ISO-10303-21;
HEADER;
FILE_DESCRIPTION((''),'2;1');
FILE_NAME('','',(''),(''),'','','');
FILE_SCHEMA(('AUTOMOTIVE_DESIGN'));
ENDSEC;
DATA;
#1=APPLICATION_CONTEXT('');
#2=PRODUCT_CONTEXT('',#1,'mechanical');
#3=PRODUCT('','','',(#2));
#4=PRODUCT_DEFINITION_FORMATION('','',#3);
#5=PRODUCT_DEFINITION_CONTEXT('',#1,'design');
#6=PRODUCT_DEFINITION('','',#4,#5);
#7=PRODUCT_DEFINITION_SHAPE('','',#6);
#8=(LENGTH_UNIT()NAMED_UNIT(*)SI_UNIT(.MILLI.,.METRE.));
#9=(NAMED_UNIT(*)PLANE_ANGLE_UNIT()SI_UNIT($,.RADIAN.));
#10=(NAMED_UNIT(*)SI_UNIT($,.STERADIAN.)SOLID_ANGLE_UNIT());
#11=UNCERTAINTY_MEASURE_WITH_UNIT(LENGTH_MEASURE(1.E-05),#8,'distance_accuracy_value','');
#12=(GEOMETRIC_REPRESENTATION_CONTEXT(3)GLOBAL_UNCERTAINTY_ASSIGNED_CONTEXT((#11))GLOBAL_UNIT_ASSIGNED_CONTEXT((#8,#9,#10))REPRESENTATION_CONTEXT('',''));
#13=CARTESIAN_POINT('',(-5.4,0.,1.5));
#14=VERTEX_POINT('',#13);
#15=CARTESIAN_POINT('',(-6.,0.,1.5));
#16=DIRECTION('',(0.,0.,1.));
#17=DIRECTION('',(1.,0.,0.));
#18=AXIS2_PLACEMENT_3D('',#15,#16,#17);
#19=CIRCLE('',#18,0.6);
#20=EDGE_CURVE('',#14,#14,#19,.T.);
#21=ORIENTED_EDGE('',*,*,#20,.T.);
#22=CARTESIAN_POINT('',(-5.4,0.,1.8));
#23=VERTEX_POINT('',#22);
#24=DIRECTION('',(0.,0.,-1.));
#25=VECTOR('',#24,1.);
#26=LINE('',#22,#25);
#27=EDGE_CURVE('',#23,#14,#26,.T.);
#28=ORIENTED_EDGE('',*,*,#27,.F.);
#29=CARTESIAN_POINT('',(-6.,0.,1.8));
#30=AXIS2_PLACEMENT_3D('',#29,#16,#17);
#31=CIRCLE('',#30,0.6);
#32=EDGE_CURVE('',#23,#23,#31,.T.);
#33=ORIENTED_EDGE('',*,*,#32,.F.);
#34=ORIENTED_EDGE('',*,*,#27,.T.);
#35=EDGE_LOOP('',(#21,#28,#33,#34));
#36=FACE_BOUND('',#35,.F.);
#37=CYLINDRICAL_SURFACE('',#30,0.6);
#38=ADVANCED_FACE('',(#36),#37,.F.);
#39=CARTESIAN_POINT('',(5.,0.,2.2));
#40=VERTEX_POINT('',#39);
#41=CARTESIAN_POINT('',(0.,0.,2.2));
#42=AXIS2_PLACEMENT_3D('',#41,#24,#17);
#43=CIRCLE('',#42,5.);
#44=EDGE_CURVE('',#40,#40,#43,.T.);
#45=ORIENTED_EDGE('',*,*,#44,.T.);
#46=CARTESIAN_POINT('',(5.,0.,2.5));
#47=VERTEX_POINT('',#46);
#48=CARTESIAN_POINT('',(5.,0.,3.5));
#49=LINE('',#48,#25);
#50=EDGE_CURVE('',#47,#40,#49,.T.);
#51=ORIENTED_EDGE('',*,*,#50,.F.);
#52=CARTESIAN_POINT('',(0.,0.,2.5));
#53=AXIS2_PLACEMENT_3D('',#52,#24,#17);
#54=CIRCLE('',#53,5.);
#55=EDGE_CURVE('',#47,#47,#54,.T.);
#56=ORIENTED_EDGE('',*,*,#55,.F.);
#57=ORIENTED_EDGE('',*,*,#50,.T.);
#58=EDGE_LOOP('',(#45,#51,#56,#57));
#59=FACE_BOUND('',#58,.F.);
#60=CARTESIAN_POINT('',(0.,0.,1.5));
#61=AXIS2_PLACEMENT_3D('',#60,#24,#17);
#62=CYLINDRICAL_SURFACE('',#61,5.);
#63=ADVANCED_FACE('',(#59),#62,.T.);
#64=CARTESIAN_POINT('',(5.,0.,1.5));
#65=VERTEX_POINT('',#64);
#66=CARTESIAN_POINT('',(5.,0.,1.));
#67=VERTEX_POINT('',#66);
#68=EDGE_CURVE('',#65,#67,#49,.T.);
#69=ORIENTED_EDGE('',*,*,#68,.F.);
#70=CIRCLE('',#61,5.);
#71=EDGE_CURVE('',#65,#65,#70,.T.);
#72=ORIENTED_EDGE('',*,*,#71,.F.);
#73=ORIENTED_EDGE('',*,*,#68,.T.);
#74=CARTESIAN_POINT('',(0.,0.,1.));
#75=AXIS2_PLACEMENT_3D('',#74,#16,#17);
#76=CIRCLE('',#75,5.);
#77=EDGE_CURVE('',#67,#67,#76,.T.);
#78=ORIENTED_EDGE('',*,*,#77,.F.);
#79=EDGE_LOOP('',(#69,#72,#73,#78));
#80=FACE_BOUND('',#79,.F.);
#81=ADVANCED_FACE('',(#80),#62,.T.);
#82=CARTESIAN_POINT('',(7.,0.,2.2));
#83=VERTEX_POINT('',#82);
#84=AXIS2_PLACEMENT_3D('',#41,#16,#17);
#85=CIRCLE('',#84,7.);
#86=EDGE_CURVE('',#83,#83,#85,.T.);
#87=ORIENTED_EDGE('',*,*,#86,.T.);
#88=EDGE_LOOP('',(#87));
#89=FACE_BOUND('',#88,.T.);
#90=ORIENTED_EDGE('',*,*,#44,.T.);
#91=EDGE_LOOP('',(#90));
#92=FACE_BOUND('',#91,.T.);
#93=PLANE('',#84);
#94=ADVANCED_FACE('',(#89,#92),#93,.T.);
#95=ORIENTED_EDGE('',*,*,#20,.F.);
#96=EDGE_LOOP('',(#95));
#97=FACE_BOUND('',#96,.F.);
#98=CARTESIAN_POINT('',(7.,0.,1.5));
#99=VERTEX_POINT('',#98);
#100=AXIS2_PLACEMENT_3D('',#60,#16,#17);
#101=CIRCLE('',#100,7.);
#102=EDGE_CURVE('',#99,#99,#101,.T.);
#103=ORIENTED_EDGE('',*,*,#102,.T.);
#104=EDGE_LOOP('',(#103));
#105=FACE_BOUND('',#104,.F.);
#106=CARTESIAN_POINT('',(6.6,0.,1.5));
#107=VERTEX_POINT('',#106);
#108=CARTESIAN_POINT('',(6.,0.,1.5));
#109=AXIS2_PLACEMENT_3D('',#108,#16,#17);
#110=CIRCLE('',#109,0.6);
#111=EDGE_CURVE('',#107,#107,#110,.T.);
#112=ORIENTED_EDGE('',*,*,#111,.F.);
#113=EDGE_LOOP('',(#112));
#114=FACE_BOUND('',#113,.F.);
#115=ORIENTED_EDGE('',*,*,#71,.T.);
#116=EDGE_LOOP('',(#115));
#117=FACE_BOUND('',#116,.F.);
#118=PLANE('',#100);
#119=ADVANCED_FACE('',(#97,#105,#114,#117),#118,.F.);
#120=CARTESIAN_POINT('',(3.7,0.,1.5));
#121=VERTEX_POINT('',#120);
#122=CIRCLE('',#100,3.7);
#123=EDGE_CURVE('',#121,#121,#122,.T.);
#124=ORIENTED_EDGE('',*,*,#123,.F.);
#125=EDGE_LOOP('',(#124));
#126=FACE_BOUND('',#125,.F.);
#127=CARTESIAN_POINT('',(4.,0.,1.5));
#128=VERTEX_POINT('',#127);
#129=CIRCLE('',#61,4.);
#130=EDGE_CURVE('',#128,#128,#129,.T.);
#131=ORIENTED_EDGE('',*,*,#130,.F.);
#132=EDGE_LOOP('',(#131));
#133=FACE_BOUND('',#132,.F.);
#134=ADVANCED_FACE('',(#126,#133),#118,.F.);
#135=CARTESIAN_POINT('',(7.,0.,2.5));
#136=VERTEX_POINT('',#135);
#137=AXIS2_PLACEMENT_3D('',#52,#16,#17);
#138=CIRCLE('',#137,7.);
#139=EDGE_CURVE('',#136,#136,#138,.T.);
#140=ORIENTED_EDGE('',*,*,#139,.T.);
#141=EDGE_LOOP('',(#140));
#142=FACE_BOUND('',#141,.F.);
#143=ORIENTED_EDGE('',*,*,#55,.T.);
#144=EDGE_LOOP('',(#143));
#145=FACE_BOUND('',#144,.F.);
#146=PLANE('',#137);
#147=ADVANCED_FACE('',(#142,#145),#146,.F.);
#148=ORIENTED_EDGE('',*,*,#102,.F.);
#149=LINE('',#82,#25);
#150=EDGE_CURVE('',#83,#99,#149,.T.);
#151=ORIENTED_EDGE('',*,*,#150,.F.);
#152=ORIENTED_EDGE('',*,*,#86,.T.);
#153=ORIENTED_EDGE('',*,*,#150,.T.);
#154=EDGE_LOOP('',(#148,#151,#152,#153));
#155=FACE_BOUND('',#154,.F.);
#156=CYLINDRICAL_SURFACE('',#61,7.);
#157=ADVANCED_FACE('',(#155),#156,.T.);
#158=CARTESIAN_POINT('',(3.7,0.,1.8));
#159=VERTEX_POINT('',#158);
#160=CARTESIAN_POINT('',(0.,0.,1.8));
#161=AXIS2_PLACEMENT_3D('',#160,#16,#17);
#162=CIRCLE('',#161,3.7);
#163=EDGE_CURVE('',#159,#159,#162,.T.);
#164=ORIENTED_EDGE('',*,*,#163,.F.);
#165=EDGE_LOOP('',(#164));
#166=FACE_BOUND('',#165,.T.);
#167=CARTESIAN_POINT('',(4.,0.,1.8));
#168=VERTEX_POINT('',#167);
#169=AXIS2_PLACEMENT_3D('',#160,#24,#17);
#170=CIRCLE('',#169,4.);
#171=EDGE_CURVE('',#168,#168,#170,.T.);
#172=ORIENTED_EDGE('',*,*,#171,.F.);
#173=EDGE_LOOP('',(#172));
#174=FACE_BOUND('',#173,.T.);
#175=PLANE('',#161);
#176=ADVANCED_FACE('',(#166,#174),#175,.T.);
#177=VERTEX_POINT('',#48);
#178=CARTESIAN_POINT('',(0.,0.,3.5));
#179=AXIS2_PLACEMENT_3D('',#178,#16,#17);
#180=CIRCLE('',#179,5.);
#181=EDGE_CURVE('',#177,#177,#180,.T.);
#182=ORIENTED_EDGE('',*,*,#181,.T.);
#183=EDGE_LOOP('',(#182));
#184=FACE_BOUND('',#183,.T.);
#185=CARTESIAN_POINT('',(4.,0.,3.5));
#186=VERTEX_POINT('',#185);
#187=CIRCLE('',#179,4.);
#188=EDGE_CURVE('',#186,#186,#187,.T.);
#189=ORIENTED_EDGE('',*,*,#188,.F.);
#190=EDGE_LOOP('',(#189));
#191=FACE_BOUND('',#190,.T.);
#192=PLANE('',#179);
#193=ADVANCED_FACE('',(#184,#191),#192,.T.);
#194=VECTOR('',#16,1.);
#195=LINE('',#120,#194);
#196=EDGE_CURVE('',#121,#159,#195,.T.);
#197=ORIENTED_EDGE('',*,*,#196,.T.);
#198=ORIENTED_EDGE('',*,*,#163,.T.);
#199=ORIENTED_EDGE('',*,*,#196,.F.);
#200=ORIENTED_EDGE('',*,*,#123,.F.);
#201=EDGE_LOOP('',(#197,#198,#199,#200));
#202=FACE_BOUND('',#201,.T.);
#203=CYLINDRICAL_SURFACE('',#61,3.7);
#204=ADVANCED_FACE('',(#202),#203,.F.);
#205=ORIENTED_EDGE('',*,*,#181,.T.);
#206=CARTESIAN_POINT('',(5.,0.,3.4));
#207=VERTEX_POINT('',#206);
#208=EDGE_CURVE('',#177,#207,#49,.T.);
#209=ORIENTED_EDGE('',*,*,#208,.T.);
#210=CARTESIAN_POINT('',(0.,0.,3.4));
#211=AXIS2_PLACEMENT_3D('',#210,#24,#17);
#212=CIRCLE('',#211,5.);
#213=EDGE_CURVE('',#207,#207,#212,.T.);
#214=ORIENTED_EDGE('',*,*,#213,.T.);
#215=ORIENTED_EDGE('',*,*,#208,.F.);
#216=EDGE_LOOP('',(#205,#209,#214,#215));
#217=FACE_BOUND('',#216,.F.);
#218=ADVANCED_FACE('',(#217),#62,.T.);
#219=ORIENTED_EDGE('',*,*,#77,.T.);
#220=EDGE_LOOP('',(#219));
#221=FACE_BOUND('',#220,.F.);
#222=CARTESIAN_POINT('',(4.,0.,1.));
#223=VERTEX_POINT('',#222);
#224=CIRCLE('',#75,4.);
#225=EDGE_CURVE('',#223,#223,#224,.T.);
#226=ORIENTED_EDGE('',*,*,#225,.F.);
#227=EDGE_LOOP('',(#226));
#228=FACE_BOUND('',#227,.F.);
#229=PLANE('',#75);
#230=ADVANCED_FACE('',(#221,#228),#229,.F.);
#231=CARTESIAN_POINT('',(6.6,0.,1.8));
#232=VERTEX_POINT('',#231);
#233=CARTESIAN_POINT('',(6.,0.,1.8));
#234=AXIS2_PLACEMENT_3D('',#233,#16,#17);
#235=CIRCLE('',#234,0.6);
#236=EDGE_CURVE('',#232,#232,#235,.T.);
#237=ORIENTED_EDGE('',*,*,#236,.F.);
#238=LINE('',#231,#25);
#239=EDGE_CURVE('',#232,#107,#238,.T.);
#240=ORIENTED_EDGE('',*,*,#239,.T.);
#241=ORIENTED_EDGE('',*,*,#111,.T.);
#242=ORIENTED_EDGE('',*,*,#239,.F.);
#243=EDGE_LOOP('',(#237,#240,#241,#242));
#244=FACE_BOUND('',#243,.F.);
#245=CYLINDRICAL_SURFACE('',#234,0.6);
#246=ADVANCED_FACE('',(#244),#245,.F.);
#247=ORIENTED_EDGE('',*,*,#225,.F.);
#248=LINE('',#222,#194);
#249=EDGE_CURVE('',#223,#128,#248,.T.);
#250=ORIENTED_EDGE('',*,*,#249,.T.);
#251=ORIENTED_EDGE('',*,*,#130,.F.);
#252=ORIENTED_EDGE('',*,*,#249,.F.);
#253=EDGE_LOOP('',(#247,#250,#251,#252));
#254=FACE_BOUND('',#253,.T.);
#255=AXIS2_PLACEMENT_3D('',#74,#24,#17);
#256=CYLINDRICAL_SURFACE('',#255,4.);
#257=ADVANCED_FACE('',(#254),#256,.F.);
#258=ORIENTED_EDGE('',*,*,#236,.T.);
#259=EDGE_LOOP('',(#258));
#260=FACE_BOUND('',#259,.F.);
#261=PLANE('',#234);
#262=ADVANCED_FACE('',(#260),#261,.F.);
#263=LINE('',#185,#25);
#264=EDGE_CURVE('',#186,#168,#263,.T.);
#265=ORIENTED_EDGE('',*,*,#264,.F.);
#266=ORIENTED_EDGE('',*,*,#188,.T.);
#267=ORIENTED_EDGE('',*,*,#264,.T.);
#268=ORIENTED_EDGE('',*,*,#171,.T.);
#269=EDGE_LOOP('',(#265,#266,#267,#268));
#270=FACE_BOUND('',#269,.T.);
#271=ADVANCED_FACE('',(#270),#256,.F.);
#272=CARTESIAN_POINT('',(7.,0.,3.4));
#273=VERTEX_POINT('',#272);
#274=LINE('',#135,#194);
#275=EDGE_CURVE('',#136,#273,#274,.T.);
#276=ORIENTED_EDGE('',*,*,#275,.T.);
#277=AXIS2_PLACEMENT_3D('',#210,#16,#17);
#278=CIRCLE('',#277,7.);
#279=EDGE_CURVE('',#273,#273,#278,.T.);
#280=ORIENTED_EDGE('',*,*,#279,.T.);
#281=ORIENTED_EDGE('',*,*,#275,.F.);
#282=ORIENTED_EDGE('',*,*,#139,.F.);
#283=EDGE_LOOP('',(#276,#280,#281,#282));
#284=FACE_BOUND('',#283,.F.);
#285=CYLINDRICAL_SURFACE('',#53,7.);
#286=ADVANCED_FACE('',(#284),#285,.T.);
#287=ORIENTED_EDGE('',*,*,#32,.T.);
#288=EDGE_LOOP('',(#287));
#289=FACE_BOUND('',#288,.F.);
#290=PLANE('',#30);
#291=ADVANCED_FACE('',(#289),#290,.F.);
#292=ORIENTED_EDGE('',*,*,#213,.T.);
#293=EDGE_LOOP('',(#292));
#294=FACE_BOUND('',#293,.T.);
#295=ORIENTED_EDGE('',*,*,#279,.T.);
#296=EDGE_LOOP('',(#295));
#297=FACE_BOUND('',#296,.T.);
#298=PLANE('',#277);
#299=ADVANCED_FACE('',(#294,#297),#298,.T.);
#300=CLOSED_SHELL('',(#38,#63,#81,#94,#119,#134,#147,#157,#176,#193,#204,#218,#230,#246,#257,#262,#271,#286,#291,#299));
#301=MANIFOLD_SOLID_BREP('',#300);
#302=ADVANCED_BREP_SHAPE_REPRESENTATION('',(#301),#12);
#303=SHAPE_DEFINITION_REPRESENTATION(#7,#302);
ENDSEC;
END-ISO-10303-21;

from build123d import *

# Parameters (mm, degrees)
D10_PILOT_AND_M10X0P5_THREAD_ENVELOPE_START = 1
SKETCH1_R                                   = 5
SKETCH1_R_2                                 = 4
D10_PILOT_AND_M10X0P5_THREAD_ENVELOPE_DEPTH = 2.5
OUTER_RACE_INNER_SHOULDER_ID7P4_START       = 1.5
SKETCH2_R                                   = 5
SKETCH2_R_2                                 = 3.7
OUTER_RACE_INNER_SHOULDER_ID7P4_DEPTH       = 0.3
INBOARD_G10_RETENTION_FLANGE_H0P3_START     = 1.5
SKETCH3_R                                   = 7
SKETCH3_R_2                                 = 3.7
INBOARD_G10_RETENTION_FLANGE_H0P3_DEPTH     = 0.3
M14X0P5_BEARING_CAP_BOSS_START              = 1.6
SKETCH4_R                                   = 7
SKETCH4_R_2                                 = 4
M14X0P5_BEARING_CAP_BOSS_DEPTH              = 0.6
FLANGED_RACE_POCKET_D9P6_START              = 2.5
SKETCH5_R                                   = 7
SKETCH5_R_2                                 = 4.8
FLANGED_RACE_POCKET_D9P6_DEPTH              = 0.9
SKETCH6_R                                   = 0.6
TWO_PIN_WRENCH_HOLES_D1P2_DEPTH             = 0.301


with BuildPart() as part:
    # Sketch1 → D10_Pilot_And_M10x0p5_Thread_Envelope (new body)
    with BuildSketch(Plane.XY.offset(D10_PILOT_AND_M10X0P5_THREAD_ENVELOPE_START)):
        Circle(SKETCH1_R)
        Circle(SKETCH1_R_2, mode=Mode.SUBTRACT)
    extrude(amount=D10_PILOT_AND_M10X0P5_THREAD_ENVELOPE_DEPTH)

    # Sketch2 → Outer_Race_Inner_Shoulder_ID7p4 (add)
    with BuildSketch(Plane.XY.offset(OUTER_RACE_INNER_SHOULDER_ID7P4_START)):
        Circle(SKETCH2_R)
        Circle(SKETCH2_R_2, mode=Mode.SUBTRACT)
    extrude(amount=OUTER_RACE_INNER_SHOULDER_ID7P4_DEPTH)

    # Sketch3 → Inboard_G10_Retention_Flange_H0p3 (add)
    with BuildSketch(Plane.XY.offset(INBOARD_G10_RETENTION_FLANGE_H0P3_START)):
        Circle(SKETCH3_R)
        Circle(SKETCH3_R_2, mode=Mode.SUBTRACT)
    extrude(amount=INBOARD_G10_RETENTION_FLANGE_H0P3_DEPTH)

    # Sketch4 → M14x0p5_Bearing_Cap_Boss (add)
    with BuildSketch(Plane.XY.offset(M14X0P5_BEARING_CAP_BOSS_START)):
        Circle(SKETCH4_R)
        Circle(SKETCH4_R_2, mode=Mode.SUBTRACT)
    extrude(amount=M14X0P5_BEARING_CAP_BOSS_DEPTH)

    # Sketch5 → Flanged_Race_Pocket_D9p6 (add)
    with BuildSketch(Plane.XY.offset(FLANGED_RACE_POCKET_D9P6_START)):
        Circle(SKETCH5_R)
        Circle(SKETCH5_R_2, mode=Mode.SUBTRACT)
    extrude(amount=FLANGED_RACE_POCKET_D9P6_DEPTH)

    # Sketch6 → Two_Pin_Wrench_Holes_D1p2 (cut)
    with BuildSketch(Plane.XY.offset(1.8)):
        with Locations((-6, 0)):
            Circle(SKETCH6_R)
        with Locations((6, 0)):
            Circle(SKETCH6_R)
    extrude(amount=-TWO_PIN_WRENCH_HOLES_D1P2_DEPTH, mode=Mode.SUBTRACT)


solid = part.part
